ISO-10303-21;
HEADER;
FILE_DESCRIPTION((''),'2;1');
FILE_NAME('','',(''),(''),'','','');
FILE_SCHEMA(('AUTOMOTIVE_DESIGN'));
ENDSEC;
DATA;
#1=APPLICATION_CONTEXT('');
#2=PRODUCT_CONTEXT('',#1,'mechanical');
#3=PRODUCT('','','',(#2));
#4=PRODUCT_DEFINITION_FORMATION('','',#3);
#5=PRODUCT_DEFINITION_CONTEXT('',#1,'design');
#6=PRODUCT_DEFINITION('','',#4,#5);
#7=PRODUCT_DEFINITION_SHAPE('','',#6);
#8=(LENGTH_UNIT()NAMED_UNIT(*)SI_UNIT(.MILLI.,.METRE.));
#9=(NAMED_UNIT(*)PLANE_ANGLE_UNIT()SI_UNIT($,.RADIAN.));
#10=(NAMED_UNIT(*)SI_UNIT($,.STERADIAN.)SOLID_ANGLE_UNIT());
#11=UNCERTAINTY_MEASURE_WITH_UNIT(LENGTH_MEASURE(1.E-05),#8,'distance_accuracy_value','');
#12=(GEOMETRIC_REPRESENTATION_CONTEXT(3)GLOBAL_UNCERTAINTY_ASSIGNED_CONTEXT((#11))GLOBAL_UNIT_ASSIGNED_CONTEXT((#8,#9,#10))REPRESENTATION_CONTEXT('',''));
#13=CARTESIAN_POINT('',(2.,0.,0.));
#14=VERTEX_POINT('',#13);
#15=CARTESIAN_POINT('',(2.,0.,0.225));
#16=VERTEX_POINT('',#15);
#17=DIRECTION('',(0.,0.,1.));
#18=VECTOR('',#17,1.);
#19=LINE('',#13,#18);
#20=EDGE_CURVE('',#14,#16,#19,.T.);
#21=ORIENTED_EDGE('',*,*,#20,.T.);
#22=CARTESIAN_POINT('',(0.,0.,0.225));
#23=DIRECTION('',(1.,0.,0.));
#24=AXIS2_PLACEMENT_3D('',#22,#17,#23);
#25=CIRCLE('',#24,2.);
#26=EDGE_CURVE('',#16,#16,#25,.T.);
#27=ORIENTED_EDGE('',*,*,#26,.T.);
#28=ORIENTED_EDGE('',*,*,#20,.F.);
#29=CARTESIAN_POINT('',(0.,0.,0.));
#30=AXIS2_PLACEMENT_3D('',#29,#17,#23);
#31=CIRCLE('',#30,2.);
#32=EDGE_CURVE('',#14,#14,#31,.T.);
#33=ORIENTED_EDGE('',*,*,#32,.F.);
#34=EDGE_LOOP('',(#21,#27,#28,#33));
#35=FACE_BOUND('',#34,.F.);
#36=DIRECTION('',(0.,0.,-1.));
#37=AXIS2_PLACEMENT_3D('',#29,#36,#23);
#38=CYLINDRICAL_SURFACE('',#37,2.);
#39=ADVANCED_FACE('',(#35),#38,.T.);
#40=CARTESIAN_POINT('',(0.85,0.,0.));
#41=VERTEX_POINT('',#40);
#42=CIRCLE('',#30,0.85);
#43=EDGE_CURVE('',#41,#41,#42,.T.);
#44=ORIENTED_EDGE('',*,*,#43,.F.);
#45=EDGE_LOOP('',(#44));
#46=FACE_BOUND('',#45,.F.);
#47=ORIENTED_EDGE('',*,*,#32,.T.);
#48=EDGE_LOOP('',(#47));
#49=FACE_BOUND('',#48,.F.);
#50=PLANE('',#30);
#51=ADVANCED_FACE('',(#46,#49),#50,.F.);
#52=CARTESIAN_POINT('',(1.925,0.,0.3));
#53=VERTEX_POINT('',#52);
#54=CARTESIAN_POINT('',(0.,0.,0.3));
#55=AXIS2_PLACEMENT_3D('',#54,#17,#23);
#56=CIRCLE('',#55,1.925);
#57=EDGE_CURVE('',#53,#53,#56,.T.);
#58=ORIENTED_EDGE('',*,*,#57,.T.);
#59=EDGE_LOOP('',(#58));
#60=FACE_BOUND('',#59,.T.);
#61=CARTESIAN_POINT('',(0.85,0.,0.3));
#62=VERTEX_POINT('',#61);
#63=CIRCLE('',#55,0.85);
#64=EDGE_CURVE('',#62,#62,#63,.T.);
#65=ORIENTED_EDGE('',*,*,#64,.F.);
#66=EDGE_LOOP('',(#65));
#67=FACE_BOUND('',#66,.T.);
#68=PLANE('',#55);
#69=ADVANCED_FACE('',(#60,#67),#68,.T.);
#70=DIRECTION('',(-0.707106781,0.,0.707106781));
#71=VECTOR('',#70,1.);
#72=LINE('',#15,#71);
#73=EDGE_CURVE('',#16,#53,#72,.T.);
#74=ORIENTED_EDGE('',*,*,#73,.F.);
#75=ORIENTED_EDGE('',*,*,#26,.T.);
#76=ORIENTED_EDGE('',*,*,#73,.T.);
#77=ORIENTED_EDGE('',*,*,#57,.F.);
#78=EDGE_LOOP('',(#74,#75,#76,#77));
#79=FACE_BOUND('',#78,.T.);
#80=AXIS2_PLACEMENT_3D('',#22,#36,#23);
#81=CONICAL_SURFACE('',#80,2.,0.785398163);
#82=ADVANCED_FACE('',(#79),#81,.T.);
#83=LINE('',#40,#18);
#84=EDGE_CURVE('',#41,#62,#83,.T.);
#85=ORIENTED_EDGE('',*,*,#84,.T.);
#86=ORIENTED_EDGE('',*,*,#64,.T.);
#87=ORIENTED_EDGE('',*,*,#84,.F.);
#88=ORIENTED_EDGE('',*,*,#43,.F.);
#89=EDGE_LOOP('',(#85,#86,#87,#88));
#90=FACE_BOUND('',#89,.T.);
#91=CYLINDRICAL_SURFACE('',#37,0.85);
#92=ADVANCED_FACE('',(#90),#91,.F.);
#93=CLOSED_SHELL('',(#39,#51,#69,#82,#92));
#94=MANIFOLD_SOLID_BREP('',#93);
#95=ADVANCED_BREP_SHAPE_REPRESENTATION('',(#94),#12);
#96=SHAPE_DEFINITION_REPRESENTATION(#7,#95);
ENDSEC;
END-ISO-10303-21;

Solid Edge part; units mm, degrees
sketch "Sketch1" plane through (0, 0, 0) normal (0, 0, 1) x (1, 0, 0)
  circle A0 centre (0, 0) radius 2
  circle A1 centre (0, 0) radius 0.85
  dimension "D1" = 4
  dimension "D2" = 1.7
extrude "Protrusion1" add sketch "Sketch1" along normal blind 0.3
chamfer "Chamfer1" distance 0.075 angle 45 1 edges at (-2, 0, 0.3)
properties material "Stainless steel"
